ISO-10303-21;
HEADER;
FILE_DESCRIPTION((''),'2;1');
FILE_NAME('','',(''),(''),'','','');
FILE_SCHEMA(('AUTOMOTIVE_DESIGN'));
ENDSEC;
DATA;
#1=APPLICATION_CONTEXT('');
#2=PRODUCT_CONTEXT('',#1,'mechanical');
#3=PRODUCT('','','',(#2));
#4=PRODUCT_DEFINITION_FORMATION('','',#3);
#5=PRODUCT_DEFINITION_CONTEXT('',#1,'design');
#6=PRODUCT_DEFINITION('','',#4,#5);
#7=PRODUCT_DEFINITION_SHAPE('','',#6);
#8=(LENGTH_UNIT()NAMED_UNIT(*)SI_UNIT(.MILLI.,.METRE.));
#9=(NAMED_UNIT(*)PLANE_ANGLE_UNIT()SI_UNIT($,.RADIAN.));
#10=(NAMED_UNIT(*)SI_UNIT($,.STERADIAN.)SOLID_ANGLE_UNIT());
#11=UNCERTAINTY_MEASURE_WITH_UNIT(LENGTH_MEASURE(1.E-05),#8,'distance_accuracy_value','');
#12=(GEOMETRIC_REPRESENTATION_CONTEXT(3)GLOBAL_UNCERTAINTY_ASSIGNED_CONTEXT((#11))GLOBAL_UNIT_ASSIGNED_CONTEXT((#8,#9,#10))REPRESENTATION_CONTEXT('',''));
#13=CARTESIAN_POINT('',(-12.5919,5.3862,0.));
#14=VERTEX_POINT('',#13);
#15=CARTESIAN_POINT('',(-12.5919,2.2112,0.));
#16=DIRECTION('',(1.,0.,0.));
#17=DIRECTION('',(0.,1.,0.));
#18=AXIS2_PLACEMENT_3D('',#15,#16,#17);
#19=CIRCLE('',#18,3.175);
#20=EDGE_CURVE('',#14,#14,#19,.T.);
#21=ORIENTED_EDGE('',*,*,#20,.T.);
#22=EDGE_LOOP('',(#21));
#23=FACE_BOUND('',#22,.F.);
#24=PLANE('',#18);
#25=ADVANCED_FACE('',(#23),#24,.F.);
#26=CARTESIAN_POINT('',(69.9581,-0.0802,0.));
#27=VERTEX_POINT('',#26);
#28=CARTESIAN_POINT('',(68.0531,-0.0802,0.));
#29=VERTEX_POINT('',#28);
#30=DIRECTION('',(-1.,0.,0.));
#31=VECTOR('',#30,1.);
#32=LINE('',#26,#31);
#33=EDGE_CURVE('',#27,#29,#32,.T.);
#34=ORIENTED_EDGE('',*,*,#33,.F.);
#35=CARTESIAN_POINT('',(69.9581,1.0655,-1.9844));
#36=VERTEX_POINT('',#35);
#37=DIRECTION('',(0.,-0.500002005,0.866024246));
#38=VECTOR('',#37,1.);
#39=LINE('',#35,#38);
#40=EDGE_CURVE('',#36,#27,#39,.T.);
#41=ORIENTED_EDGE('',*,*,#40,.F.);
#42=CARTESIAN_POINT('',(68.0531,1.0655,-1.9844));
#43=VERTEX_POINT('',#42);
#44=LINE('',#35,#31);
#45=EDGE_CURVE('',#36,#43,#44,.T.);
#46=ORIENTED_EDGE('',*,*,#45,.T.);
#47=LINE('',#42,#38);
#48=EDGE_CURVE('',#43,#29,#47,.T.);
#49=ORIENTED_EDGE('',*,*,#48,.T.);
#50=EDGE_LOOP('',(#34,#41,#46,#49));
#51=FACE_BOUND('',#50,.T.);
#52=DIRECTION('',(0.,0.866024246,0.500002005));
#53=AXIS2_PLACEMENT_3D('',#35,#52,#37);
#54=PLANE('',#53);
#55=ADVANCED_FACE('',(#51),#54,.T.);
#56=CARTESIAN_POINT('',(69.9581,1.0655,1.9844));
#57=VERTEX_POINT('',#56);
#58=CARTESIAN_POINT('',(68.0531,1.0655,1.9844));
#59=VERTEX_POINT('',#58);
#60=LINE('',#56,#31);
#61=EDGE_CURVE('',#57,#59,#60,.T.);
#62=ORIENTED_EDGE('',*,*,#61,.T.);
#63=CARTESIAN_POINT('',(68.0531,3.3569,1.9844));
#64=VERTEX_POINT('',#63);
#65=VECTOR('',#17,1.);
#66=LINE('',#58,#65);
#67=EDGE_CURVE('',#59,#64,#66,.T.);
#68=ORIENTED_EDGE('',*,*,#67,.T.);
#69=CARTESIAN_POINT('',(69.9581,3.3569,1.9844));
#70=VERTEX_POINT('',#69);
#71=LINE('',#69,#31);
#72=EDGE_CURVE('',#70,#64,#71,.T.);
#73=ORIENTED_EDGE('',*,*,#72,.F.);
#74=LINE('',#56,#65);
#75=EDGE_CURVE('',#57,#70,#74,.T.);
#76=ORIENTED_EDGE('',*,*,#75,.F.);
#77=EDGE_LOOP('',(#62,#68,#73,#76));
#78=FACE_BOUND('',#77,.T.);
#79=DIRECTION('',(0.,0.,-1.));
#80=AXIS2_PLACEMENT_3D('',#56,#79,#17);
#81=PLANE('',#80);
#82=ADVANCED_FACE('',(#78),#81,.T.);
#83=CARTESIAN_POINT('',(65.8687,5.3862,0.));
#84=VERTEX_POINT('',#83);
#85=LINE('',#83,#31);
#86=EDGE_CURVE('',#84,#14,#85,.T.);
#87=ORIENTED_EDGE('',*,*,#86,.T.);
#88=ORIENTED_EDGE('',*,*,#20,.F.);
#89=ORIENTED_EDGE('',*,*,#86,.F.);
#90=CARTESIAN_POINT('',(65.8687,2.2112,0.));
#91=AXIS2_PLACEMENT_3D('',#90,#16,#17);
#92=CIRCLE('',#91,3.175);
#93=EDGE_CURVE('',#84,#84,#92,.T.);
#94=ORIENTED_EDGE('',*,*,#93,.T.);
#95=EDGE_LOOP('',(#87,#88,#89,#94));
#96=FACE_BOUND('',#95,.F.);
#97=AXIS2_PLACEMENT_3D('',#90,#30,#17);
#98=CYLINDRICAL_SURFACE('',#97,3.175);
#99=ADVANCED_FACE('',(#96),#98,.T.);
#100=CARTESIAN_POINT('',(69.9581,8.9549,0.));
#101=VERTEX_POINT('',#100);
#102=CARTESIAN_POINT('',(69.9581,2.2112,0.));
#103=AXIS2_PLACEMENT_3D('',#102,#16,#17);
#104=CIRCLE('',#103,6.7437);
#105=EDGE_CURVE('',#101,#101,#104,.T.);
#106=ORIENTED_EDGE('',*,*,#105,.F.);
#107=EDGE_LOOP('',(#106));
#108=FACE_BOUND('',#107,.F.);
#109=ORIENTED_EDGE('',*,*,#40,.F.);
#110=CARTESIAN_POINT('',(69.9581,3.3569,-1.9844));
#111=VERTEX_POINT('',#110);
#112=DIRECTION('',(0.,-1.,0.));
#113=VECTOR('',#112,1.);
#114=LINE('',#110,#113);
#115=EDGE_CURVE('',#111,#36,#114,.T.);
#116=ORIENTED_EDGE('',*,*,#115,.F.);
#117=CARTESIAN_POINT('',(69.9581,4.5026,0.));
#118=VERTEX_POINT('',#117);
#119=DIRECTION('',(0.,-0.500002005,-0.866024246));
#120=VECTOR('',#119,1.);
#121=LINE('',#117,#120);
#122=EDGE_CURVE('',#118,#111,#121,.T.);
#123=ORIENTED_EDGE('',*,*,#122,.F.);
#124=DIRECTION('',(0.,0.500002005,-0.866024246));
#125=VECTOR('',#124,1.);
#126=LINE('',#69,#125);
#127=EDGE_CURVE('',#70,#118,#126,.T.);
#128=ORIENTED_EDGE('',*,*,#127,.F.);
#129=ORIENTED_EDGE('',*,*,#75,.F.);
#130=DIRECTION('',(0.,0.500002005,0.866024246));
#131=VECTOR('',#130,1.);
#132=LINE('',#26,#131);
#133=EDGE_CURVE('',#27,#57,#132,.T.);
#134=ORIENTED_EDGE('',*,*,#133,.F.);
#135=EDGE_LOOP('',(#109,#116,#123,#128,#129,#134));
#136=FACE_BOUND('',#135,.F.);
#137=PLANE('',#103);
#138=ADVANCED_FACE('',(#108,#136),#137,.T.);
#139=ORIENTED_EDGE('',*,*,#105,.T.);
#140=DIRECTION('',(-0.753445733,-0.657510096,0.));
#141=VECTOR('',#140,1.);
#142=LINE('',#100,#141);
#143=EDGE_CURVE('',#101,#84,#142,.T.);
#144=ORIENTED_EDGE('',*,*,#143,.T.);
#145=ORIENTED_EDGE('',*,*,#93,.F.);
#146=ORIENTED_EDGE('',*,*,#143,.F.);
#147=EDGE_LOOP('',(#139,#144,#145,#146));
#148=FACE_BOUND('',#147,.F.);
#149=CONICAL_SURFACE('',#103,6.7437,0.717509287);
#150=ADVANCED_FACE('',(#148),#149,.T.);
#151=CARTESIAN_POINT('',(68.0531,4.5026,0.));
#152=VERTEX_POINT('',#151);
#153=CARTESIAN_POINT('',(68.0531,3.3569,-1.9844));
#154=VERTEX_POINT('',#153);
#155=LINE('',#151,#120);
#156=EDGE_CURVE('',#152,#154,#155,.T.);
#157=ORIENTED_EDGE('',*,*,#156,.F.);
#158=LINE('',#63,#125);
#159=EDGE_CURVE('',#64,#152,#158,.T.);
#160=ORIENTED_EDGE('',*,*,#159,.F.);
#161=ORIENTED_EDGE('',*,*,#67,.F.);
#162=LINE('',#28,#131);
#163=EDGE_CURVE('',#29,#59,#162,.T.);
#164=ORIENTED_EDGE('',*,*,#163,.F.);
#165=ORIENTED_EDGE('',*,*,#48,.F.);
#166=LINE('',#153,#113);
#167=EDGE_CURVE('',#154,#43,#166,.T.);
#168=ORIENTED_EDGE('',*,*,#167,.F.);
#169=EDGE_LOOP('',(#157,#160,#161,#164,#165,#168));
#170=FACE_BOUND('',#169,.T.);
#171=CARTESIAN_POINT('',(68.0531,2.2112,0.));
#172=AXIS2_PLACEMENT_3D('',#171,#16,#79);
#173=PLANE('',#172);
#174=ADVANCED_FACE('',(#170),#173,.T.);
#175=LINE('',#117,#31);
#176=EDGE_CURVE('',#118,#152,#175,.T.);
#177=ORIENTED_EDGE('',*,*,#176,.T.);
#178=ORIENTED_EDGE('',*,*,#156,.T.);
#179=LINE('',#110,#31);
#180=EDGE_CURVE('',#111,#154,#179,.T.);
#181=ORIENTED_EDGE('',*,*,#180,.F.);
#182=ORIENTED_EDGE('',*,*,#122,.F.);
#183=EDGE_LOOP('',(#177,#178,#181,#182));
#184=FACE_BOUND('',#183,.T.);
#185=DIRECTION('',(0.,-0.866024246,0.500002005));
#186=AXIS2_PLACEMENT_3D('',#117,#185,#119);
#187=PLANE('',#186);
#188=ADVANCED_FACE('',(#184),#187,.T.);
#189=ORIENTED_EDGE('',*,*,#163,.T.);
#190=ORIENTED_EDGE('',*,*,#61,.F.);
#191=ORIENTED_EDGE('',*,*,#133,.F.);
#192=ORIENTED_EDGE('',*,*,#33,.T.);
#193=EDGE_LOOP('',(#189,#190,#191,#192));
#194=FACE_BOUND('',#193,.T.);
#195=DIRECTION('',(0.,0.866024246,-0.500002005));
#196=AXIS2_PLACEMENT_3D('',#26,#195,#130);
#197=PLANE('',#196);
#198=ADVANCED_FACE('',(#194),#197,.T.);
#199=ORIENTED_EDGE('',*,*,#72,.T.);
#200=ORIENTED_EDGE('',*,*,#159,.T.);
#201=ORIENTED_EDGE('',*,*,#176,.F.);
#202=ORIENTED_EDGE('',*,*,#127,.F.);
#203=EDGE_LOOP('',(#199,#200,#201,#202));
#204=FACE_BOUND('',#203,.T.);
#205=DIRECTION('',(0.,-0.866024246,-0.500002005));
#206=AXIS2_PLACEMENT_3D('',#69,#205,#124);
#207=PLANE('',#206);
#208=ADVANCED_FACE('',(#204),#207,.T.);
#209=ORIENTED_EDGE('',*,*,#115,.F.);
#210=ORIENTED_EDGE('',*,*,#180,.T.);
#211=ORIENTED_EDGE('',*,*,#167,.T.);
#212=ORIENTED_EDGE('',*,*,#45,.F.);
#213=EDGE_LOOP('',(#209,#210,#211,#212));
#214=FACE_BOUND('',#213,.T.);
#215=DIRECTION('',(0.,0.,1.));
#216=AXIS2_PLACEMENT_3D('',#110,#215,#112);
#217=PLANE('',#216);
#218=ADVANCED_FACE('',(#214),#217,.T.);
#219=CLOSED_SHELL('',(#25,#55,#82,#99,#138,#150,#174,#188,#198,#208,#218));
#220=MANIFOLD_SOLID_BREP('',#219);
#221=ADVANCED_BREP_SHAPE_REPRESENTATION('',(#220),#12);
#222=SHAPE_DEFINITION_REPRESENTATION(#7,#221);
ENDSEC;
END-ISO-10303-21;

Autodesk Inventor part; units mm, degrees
ref_plane "YZ Plane" through (0, 0, 0) normal (1, 0, 0) x (0, 1, 0)
ref_plane "XZ Plane" through (0, 0, 0) normal (0, 1, 0) x (-1, 0, 0)
ref_plane "XY Plane" through (0, 0, 0) normal (0, 0, 1) x (1, 0, 0)
sketch "Sketch1" plane through (0, 0, 0) normal (0, 0, 1) x (1, 0, 0)
  line L0 (-12.5919, 2.2112) -> (69.9581, 2.2112)
  line L1 (69.9581, 2.2112) -> (69.9581, 8.9549)
  line L2 (69.9581, 8.9549) -> (65.8687, 5.3862)
  line L3 (65.8687, 5.3862) -> (-12.5919, 5.3862)
  line L4 (-12.5919, 5.3862) -> (-12.5919, 2.2112)
  dimension "d0" = 3.175
  dimension "d2" = 4.0894
  dimension "d3" = 6.7437
  dimension "d19" = 82.55
revolve "Revolution1" add sketch "Sketch1" angle 360 about axis through (-12.5919, 2.2112, 0) along (1, 0, 0)
thread "Thread1" size "1/4-20 UNC" class "2A" standard "ANSI Unified Screw Threads" length 25.4
sketch "Sketch2" plane through (69.9581, 2.2112, 0) normal (1, 0, 0) x (0, 0, -1)
  circle A0 centre (0, 0) radius 6.7437 projected
  line L0 (0, -2.2914) -> (-1.9844, -1.1457)
  line L1 (-1.9844, -1.1457) -> (-1.9844, 1.1457)
  line L2 (-1.9844, 1.1457) -> (0, 2.2914)
  line L3 (0, 2.2914) -> (1.9844, 1.1457)
  line L4 (1.9844, 1.1457) -> (1.9844, -1.1457)
  line L5 (1.9844, -1.1457) -> (0, -2.2914)
  dimension "d16" = 3.9688
extrude "Extrusion1" cut sketch "Sketch2" against normal blind 1.905 contours L0 L1 L2 L3 L4 L5
properties part number "HW-00073"
